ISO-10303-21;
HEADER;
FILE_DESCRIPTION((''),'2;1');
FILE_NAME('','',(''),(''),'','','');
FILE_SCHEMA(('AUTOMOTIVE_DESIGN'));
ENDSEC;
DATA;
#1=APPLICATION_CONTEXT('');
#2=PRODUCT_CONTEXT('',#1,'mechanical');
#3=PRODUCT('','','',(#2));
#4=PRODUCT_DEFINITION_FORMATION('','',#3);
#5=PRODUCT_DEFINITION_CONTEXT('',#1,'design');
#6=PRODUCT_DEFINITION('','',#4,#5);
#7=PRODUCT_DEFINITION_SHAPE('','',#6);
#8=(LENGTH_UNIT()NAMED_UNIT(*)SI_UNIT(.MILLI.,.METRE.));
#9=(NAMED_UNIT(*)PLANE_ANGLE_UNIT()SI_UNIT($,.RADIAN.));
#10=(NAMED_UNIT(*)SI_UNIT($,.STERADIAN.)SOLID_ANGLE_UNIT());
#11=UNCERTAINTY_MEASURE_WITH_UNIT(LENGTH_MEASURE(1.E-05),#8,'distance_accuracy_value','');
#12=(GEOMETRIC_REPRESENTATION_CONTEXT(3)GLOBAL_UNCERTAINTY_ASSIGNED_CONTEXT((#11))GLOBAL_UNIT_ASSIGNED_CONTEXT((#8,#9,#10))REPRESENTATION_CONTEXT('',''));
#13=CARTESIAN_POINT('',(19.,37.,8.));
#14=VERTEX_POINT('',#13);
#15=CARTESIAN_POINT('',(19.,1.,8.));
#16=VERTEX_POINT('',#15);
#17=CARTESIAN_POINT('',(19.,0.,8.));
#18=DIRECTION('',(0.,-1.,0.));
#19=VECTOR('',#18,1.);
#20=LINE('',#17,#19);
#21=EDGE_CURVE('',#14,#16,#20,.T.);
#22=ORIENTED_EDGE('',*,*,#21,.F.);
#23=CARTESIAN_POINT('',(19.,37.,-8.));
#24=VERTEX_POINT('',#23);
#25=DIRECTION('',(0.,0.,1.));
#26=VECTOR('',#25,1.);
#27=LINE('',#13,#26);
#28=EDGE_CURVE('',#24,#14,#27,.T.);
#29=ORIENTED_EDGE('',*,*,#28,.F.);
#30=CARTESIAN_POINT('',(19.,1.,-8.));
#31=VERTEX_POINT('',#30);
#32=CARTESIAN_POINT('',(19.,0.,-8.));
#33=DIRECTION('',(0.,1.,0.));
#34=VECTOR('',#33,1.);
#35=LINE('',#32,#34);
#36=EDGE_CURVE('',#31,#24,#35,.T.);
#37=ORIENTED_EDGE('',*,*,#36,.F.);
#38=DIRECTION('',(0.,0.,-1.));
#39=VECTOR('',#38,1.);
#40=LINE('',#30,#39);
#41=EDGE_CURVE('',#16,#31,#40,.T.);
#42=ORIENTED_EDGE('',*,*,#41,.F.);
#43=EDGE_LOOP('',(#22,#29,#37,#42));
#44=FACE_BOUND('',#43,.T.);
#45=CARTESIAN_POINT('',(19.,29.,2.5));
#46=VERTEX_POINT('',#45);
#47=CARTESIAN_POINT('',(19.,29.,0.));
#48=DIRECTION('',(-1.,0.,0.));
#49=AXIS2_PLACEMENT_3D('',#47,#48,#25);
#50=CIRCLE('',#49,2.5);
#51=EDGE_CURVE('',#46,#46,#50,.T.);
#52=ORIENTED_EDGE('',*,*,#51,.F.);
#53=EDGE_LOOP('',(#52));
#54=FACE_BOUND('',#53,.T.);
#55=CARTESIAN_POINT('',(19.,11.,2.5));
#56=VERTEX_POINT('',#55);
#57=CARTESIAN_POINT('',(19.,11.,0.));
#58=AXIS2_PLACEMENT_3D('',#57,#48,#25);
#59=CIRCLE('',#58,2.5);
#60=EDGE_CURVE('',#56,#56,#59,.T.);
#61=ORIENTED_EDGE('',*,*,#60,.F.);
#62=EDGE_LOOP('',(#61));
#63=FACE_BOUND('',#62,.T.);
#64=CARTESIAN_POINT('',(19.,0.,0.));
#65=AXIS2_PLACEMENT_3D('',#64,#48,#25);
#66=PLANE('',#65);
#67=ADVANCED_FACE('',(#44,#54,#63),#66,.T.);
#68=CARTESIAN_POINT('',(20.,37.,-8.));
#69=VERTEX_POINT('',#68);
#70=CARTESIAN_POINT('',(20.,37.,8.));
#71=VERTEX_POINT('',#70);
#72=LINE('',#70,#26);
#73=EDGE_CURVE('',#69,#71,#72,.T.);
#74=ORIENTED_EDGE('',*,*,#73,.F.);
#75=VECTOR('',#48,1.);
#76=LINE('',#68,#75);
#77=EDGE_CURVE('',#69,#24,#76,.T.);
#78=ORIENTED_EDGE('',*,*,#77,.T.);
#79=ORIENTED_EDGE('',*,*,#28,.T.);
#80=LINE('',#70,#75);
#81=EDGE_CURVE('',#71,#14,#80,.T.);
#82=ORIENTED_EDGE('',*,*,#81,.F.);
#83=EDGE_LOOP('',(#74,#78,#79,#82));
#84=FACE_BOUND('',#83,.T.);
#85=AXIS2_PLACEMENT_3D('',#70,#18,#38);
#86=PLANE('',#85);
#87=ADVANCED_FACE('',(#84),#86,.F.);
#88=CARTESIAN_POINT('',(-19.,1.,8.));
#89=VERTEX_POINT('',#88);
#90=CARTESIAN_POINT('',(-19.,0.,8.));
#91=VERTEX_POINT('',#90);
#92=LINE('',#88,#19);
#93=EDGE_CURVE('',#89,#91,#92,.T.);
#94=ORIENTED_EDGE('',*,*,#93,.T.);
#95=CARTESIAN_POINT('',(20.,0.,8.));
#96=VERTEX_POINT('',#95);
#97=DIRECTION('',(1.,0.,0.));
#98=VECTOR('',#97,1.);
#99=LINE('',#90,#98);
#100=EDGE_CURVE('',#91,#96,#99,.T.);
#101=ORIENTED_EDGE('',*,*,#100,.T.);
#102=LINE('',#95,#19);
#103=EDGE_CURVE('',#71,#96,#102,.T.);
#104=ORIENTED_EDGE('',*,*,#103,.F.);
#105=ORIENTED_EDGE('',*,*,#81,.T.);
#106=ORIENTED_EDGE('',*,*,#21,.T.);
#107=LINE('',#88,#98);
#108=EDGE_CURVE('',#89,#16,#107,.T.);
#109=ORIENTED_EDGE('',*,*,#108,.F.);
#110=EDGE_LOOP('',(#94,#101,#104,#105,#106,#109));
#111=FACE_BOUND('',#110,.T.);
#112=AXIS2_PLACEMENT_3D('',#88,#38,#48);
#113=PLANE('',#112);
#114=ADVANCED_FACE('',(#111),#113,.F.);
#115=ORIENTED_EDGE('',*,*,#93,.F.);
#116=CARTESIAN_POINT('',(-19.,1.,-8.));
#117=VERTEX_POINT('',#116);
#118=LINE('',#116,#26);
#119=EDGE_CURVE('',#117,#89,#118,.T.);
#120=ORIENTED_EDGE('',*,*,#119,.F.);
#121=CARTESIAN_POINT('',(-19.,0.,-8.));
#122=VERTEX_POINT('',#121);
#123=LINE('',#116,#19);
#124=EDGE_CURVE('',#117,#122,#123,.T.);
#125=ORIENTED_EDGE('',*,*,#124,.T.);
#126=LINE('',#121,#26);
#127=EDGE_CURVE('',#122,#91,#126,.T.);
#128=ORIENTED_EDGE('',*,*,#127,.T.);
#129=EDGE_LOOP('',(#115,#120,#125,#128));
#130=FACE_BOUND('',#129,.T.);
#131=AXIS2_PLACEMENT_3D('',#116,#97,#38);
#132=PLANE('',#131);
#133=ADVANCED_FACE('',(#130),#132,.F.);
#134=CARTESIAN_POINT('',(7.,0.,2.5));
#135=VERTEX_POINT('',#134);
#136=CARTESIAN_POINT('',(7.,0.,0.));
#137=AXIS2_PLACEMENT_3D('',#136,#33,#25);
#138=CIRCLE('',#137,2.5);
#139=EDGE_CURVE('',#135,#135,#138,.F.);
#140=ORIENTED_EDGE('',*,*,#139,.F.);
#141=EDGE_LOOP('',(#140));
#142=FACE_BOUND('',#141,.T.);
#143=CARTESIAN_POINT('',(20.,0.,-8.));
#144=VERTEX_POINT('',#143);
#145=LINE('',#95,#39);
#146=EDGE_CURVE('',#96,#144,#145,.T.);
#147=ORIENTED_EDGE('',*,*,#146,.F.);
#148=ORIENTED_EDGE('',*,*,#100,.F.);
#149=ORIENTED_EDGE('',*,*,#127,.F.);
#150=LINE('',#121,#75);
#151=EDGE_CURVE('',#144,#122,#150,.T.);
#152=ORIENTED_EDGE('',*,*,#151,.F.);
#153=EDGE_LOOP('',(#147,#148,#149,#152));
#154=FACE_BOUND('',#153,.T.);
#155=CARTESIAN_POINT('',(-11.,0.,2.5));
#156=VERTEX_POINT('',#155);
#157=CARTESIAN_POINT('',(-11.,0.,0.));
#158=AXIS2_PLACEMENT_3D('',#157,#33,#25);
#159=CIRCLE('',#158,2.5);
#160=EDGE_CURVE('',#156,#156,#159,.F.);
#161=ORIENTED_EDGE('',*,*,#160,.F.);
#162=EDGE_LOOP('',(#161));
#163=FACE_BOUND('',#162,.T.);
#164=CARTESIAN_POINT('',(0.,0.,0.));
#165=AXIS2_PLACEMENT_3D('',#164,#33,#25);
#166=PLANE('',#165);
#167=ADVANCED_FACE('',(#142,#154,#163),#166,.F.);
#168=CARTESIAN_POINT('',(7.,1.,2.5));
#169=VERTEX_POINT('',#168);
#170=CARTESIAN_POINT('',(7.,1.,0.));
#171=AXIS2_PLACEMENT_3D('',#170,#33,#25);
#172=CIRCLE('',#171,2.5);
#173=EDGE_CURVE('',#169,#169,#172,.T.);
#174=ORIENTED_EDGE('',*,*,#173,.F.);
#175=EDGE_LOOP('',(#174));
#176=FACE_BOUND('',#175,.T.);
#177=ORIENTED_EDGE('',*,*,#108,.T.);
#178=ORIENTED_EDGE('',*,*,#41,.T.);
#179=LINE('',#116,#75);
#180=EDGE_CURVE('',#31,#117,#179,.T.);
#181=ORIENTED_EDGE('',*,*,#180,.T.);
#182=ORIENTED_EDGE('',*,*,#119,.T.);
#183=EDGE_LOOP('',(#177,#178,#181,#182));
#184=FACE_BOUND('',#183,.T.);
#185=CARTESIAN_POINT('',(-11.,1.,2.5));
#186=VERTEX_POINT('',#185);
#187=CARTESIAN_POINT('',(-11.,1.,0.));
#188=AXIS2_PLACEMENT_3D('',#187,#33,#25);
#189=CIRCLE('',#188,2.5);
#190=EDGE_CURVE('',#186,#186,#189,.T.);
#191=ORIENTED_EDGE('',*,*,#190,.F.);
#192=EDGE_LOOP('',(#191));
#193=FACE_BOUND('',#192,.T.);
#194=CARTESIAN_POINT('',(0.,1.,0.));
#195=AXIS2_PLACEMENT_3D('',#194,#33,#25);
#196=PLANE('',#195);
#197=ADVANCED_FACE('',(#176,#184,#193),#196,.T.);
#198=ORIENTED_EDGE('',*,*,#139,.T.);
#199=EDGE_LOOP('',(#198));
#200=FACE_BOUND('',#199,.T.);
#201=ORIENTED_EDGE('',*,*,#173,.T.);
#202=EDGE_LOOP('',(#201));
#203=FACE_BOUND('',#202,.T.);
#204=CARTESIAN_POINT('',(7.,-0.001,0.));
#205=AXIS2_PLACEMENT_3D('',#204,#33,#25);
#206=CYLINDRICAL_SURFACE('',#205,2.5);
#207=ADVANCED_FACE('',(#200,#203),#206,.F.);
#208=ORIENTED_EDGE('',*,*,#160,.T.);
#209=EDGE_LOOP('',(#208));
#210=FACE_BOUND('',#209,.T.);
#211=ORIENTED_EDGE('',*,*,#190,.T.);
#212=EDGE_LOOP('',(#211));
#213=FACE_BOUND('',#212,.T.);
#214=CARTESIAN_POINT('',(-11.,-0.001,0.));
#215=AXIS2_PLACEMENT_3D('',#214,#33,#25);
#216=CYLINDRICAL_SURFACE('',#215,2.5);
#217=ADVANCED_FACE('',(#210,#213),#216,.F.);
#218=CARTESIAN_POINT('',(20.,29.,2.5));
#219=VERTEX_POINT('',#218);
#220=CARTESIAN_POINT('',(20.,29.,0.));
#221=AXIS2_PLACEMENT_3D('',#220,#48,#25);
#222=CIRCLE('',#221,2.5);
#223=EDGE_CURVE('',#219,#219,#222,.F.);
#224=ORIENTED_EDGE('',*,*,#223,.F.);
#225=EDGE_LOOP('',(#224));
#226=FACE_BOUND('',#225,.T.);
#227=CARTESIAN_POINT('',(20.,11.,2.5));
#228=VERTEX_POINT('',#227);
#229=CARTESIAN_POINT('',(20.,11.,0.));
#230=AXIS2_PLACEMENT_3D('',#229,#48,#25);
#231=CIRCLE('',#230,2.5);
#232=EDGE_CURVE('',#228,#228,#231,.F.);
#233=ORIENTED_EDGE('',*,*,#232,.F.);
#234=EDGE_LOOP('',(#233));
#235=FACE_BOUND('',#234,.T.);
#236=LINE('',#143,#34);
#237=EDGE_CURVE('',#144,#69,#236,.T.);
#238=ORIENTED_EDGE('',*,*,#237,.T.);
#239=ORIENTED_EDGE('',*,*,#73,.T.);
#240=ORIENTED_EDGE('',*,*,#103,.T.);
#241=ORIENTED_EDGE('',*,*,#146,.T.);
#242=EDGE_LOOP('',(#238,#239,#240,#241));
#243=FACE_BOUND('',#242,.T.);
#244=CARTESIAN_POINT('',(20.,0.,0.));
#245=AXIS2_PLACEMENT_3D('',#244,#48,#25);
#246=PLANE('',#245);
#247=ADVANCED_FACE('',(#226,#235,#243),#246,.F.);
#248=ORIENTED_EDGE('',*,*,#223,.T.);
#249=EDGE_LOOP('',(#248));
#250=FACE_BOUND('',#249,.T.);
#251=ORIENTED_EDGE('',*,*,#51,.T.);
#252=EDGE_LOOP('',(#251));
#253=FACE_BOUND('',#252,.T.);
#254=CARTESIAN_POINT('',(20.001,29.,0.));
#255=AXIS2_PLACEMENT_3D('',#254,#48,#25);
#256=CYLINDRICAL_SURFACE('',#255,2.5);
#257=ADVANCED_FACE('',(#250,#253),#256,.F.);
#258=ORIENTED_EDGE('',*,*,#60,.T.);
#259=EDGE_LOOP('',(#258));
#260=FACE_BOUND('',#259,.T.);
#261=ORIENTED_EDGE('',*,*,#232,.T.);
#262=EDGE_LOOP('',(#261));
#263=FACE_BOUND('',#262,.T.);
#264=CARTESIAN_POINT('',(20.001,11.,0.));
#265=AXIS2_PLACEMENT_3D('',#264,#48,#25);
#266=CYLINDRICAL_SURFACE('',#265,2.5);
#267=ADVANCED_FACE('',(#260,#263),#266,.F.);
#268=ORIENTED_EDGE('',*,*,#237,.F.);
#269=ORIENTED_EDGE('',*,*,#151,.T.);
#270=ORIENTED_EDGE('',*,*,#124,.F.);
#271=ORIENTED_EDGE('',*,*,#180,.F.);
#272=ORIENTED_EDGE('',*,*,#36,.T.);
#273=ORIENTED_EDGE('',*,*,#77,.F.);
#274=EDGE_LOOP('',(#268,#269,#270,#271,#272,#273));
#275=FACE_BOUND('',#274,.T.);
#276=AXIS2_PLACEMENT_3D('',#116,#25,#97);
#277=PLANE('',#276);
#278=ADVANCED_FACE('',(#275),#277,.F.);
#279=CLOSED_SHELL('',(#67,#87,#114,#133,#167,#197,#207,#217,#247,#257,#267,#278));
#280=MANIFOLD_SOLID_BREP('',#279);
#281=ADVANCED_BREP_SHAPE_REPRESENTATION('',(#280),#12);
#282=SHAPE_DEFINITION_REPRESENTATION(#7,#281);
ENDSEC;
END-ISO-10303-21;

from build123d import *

# Parameters (mm, degrees)
SKETCH_1_W          = 38
SKETCH_1_H          = 16
EXTRUDE_1_DEPTH     = 1
SKETCH_2_W          = 16
SKETCH_2_H          = 37
EXTRUDE_2_DEPTH     = 1
CUT_EXTRUDE_1_REACH = 43.952
SKETCH_3_R          = 2.5
CUT_EXTRUDE_2_REACH = 55.638
SKETCH_4_R          = 2.5


with BuildPart() as part:
    # 草圖1 → 填料-伸長1 (new body)
    with BuildSketch(Plane(origin=(0, 0, 0), x_dir=(1, 0, 0), z_dir=(0, 1, 0))):
        Rectangle(SKETCH_1_W, SKETCH_1_H)
    extrude(amount=EXTRUDE_1_DEPTH)

    # 草圖2 → 填料-伸長2 (add)
    with BuildSketch(Plane(origin=(19, 0, 0), x_dir=(0, 0, -1), z_dir=(1, 0, 0))):
        with Locations((0, 18.5)):
            Rectangle(SKETCH_2_W, SKETCH_2_H)
    extrude(amount=EXTRUDE_2_DEPTH)

    # 草圖3 → 除料-伸長1 (cut, up to next)
    with BuildSketch(Plane(origin=(0, 1, 0), x_dir=(1, 0, 0), z_dir=(0, 1, 0)), mode=Mode.PRIVATE) as cut_extrude_1_sk1:
        with Locations(Location((-11, 0, 0), (0, 0, 270))):
            Circle(SKETCH_3_R)
    cut_extrude_1_tool1 = extrude(cut_extrude_1_sk1.sketch, amount=-CUT_EXTRUDE_1_REACH, mode=Mode.PRIVATE) & part.part
    # 草圖3 → 除料-伸長1 (cut, up to next)
    with BuildSketch(Plane(origin=(0, 1, 0), x_dir=(1, 0, 0), z_dir=(0, 1, 0)), mode=Mode.PRIVATE) as cut_extrude_1_sk2:
        with Locations(Location((7, 0, 0), (0, 0, 270))):
            Circle(SKETCH_3_R)
    cut_extrude_1_tool2 = extrude(cut_extrude_1_sk2.sketch, amount=-CUT_EXTRUDE_1_REACH, mode=Mode.PRIVATE) & part.part
    add(cut_extrude_1_tool1.solids().sort_by_distance((-11, 1, 0))[0], mode=Mode.SUBTRACT)
    add(cut_extrude_1_tool2.solids().sort_by_distance((7, 1, 0))[0], mode=Mode.SUBTRACT)

    # 草圖4 → 除料-伸長2 (cut, up to next)
    with BuildSketch(Plane.ZY.offset(-19), mode=Mode.PRIVATE) as cut_extrude_2_sk1:
        with Locations((0, 29)):
            Circle(SKETCH_4_R)
    cut_extrude_2_tool1 = extrude(cut_extrude_2_sk1.sketch, amount=-CUT_EXTRUDE_2_REACH, mode=Mode.PRIVATE) & part.part
    # 草圖4 → 除料-伸長2 (cut, up to next)
    with BuildSketch(Plane.ZY.offset(-19), mode=Mode.PRIVATE) as cut_extrude_2_sk2:
        with Locations((0, 11)):
            Circle(SKETCH_4_R)
    cut_extrude_2_tool2 = extrude(cut_extrude_2_sk2.sketch, amount=-CUT_EXTRUDE_2_REACH, mode=Mode.PRIVATE) & part.part
    add(cut_extrude_2_tool1.solids().sort_by_distance((19, 29, 0))[0], mode=Mode.SUBTRACT)
    add(cut_extrude_2_tool2.solids().sort_by_distance((19, 11, 0))[0], mode=Mode.SUBTRACT)


solid = part.part
